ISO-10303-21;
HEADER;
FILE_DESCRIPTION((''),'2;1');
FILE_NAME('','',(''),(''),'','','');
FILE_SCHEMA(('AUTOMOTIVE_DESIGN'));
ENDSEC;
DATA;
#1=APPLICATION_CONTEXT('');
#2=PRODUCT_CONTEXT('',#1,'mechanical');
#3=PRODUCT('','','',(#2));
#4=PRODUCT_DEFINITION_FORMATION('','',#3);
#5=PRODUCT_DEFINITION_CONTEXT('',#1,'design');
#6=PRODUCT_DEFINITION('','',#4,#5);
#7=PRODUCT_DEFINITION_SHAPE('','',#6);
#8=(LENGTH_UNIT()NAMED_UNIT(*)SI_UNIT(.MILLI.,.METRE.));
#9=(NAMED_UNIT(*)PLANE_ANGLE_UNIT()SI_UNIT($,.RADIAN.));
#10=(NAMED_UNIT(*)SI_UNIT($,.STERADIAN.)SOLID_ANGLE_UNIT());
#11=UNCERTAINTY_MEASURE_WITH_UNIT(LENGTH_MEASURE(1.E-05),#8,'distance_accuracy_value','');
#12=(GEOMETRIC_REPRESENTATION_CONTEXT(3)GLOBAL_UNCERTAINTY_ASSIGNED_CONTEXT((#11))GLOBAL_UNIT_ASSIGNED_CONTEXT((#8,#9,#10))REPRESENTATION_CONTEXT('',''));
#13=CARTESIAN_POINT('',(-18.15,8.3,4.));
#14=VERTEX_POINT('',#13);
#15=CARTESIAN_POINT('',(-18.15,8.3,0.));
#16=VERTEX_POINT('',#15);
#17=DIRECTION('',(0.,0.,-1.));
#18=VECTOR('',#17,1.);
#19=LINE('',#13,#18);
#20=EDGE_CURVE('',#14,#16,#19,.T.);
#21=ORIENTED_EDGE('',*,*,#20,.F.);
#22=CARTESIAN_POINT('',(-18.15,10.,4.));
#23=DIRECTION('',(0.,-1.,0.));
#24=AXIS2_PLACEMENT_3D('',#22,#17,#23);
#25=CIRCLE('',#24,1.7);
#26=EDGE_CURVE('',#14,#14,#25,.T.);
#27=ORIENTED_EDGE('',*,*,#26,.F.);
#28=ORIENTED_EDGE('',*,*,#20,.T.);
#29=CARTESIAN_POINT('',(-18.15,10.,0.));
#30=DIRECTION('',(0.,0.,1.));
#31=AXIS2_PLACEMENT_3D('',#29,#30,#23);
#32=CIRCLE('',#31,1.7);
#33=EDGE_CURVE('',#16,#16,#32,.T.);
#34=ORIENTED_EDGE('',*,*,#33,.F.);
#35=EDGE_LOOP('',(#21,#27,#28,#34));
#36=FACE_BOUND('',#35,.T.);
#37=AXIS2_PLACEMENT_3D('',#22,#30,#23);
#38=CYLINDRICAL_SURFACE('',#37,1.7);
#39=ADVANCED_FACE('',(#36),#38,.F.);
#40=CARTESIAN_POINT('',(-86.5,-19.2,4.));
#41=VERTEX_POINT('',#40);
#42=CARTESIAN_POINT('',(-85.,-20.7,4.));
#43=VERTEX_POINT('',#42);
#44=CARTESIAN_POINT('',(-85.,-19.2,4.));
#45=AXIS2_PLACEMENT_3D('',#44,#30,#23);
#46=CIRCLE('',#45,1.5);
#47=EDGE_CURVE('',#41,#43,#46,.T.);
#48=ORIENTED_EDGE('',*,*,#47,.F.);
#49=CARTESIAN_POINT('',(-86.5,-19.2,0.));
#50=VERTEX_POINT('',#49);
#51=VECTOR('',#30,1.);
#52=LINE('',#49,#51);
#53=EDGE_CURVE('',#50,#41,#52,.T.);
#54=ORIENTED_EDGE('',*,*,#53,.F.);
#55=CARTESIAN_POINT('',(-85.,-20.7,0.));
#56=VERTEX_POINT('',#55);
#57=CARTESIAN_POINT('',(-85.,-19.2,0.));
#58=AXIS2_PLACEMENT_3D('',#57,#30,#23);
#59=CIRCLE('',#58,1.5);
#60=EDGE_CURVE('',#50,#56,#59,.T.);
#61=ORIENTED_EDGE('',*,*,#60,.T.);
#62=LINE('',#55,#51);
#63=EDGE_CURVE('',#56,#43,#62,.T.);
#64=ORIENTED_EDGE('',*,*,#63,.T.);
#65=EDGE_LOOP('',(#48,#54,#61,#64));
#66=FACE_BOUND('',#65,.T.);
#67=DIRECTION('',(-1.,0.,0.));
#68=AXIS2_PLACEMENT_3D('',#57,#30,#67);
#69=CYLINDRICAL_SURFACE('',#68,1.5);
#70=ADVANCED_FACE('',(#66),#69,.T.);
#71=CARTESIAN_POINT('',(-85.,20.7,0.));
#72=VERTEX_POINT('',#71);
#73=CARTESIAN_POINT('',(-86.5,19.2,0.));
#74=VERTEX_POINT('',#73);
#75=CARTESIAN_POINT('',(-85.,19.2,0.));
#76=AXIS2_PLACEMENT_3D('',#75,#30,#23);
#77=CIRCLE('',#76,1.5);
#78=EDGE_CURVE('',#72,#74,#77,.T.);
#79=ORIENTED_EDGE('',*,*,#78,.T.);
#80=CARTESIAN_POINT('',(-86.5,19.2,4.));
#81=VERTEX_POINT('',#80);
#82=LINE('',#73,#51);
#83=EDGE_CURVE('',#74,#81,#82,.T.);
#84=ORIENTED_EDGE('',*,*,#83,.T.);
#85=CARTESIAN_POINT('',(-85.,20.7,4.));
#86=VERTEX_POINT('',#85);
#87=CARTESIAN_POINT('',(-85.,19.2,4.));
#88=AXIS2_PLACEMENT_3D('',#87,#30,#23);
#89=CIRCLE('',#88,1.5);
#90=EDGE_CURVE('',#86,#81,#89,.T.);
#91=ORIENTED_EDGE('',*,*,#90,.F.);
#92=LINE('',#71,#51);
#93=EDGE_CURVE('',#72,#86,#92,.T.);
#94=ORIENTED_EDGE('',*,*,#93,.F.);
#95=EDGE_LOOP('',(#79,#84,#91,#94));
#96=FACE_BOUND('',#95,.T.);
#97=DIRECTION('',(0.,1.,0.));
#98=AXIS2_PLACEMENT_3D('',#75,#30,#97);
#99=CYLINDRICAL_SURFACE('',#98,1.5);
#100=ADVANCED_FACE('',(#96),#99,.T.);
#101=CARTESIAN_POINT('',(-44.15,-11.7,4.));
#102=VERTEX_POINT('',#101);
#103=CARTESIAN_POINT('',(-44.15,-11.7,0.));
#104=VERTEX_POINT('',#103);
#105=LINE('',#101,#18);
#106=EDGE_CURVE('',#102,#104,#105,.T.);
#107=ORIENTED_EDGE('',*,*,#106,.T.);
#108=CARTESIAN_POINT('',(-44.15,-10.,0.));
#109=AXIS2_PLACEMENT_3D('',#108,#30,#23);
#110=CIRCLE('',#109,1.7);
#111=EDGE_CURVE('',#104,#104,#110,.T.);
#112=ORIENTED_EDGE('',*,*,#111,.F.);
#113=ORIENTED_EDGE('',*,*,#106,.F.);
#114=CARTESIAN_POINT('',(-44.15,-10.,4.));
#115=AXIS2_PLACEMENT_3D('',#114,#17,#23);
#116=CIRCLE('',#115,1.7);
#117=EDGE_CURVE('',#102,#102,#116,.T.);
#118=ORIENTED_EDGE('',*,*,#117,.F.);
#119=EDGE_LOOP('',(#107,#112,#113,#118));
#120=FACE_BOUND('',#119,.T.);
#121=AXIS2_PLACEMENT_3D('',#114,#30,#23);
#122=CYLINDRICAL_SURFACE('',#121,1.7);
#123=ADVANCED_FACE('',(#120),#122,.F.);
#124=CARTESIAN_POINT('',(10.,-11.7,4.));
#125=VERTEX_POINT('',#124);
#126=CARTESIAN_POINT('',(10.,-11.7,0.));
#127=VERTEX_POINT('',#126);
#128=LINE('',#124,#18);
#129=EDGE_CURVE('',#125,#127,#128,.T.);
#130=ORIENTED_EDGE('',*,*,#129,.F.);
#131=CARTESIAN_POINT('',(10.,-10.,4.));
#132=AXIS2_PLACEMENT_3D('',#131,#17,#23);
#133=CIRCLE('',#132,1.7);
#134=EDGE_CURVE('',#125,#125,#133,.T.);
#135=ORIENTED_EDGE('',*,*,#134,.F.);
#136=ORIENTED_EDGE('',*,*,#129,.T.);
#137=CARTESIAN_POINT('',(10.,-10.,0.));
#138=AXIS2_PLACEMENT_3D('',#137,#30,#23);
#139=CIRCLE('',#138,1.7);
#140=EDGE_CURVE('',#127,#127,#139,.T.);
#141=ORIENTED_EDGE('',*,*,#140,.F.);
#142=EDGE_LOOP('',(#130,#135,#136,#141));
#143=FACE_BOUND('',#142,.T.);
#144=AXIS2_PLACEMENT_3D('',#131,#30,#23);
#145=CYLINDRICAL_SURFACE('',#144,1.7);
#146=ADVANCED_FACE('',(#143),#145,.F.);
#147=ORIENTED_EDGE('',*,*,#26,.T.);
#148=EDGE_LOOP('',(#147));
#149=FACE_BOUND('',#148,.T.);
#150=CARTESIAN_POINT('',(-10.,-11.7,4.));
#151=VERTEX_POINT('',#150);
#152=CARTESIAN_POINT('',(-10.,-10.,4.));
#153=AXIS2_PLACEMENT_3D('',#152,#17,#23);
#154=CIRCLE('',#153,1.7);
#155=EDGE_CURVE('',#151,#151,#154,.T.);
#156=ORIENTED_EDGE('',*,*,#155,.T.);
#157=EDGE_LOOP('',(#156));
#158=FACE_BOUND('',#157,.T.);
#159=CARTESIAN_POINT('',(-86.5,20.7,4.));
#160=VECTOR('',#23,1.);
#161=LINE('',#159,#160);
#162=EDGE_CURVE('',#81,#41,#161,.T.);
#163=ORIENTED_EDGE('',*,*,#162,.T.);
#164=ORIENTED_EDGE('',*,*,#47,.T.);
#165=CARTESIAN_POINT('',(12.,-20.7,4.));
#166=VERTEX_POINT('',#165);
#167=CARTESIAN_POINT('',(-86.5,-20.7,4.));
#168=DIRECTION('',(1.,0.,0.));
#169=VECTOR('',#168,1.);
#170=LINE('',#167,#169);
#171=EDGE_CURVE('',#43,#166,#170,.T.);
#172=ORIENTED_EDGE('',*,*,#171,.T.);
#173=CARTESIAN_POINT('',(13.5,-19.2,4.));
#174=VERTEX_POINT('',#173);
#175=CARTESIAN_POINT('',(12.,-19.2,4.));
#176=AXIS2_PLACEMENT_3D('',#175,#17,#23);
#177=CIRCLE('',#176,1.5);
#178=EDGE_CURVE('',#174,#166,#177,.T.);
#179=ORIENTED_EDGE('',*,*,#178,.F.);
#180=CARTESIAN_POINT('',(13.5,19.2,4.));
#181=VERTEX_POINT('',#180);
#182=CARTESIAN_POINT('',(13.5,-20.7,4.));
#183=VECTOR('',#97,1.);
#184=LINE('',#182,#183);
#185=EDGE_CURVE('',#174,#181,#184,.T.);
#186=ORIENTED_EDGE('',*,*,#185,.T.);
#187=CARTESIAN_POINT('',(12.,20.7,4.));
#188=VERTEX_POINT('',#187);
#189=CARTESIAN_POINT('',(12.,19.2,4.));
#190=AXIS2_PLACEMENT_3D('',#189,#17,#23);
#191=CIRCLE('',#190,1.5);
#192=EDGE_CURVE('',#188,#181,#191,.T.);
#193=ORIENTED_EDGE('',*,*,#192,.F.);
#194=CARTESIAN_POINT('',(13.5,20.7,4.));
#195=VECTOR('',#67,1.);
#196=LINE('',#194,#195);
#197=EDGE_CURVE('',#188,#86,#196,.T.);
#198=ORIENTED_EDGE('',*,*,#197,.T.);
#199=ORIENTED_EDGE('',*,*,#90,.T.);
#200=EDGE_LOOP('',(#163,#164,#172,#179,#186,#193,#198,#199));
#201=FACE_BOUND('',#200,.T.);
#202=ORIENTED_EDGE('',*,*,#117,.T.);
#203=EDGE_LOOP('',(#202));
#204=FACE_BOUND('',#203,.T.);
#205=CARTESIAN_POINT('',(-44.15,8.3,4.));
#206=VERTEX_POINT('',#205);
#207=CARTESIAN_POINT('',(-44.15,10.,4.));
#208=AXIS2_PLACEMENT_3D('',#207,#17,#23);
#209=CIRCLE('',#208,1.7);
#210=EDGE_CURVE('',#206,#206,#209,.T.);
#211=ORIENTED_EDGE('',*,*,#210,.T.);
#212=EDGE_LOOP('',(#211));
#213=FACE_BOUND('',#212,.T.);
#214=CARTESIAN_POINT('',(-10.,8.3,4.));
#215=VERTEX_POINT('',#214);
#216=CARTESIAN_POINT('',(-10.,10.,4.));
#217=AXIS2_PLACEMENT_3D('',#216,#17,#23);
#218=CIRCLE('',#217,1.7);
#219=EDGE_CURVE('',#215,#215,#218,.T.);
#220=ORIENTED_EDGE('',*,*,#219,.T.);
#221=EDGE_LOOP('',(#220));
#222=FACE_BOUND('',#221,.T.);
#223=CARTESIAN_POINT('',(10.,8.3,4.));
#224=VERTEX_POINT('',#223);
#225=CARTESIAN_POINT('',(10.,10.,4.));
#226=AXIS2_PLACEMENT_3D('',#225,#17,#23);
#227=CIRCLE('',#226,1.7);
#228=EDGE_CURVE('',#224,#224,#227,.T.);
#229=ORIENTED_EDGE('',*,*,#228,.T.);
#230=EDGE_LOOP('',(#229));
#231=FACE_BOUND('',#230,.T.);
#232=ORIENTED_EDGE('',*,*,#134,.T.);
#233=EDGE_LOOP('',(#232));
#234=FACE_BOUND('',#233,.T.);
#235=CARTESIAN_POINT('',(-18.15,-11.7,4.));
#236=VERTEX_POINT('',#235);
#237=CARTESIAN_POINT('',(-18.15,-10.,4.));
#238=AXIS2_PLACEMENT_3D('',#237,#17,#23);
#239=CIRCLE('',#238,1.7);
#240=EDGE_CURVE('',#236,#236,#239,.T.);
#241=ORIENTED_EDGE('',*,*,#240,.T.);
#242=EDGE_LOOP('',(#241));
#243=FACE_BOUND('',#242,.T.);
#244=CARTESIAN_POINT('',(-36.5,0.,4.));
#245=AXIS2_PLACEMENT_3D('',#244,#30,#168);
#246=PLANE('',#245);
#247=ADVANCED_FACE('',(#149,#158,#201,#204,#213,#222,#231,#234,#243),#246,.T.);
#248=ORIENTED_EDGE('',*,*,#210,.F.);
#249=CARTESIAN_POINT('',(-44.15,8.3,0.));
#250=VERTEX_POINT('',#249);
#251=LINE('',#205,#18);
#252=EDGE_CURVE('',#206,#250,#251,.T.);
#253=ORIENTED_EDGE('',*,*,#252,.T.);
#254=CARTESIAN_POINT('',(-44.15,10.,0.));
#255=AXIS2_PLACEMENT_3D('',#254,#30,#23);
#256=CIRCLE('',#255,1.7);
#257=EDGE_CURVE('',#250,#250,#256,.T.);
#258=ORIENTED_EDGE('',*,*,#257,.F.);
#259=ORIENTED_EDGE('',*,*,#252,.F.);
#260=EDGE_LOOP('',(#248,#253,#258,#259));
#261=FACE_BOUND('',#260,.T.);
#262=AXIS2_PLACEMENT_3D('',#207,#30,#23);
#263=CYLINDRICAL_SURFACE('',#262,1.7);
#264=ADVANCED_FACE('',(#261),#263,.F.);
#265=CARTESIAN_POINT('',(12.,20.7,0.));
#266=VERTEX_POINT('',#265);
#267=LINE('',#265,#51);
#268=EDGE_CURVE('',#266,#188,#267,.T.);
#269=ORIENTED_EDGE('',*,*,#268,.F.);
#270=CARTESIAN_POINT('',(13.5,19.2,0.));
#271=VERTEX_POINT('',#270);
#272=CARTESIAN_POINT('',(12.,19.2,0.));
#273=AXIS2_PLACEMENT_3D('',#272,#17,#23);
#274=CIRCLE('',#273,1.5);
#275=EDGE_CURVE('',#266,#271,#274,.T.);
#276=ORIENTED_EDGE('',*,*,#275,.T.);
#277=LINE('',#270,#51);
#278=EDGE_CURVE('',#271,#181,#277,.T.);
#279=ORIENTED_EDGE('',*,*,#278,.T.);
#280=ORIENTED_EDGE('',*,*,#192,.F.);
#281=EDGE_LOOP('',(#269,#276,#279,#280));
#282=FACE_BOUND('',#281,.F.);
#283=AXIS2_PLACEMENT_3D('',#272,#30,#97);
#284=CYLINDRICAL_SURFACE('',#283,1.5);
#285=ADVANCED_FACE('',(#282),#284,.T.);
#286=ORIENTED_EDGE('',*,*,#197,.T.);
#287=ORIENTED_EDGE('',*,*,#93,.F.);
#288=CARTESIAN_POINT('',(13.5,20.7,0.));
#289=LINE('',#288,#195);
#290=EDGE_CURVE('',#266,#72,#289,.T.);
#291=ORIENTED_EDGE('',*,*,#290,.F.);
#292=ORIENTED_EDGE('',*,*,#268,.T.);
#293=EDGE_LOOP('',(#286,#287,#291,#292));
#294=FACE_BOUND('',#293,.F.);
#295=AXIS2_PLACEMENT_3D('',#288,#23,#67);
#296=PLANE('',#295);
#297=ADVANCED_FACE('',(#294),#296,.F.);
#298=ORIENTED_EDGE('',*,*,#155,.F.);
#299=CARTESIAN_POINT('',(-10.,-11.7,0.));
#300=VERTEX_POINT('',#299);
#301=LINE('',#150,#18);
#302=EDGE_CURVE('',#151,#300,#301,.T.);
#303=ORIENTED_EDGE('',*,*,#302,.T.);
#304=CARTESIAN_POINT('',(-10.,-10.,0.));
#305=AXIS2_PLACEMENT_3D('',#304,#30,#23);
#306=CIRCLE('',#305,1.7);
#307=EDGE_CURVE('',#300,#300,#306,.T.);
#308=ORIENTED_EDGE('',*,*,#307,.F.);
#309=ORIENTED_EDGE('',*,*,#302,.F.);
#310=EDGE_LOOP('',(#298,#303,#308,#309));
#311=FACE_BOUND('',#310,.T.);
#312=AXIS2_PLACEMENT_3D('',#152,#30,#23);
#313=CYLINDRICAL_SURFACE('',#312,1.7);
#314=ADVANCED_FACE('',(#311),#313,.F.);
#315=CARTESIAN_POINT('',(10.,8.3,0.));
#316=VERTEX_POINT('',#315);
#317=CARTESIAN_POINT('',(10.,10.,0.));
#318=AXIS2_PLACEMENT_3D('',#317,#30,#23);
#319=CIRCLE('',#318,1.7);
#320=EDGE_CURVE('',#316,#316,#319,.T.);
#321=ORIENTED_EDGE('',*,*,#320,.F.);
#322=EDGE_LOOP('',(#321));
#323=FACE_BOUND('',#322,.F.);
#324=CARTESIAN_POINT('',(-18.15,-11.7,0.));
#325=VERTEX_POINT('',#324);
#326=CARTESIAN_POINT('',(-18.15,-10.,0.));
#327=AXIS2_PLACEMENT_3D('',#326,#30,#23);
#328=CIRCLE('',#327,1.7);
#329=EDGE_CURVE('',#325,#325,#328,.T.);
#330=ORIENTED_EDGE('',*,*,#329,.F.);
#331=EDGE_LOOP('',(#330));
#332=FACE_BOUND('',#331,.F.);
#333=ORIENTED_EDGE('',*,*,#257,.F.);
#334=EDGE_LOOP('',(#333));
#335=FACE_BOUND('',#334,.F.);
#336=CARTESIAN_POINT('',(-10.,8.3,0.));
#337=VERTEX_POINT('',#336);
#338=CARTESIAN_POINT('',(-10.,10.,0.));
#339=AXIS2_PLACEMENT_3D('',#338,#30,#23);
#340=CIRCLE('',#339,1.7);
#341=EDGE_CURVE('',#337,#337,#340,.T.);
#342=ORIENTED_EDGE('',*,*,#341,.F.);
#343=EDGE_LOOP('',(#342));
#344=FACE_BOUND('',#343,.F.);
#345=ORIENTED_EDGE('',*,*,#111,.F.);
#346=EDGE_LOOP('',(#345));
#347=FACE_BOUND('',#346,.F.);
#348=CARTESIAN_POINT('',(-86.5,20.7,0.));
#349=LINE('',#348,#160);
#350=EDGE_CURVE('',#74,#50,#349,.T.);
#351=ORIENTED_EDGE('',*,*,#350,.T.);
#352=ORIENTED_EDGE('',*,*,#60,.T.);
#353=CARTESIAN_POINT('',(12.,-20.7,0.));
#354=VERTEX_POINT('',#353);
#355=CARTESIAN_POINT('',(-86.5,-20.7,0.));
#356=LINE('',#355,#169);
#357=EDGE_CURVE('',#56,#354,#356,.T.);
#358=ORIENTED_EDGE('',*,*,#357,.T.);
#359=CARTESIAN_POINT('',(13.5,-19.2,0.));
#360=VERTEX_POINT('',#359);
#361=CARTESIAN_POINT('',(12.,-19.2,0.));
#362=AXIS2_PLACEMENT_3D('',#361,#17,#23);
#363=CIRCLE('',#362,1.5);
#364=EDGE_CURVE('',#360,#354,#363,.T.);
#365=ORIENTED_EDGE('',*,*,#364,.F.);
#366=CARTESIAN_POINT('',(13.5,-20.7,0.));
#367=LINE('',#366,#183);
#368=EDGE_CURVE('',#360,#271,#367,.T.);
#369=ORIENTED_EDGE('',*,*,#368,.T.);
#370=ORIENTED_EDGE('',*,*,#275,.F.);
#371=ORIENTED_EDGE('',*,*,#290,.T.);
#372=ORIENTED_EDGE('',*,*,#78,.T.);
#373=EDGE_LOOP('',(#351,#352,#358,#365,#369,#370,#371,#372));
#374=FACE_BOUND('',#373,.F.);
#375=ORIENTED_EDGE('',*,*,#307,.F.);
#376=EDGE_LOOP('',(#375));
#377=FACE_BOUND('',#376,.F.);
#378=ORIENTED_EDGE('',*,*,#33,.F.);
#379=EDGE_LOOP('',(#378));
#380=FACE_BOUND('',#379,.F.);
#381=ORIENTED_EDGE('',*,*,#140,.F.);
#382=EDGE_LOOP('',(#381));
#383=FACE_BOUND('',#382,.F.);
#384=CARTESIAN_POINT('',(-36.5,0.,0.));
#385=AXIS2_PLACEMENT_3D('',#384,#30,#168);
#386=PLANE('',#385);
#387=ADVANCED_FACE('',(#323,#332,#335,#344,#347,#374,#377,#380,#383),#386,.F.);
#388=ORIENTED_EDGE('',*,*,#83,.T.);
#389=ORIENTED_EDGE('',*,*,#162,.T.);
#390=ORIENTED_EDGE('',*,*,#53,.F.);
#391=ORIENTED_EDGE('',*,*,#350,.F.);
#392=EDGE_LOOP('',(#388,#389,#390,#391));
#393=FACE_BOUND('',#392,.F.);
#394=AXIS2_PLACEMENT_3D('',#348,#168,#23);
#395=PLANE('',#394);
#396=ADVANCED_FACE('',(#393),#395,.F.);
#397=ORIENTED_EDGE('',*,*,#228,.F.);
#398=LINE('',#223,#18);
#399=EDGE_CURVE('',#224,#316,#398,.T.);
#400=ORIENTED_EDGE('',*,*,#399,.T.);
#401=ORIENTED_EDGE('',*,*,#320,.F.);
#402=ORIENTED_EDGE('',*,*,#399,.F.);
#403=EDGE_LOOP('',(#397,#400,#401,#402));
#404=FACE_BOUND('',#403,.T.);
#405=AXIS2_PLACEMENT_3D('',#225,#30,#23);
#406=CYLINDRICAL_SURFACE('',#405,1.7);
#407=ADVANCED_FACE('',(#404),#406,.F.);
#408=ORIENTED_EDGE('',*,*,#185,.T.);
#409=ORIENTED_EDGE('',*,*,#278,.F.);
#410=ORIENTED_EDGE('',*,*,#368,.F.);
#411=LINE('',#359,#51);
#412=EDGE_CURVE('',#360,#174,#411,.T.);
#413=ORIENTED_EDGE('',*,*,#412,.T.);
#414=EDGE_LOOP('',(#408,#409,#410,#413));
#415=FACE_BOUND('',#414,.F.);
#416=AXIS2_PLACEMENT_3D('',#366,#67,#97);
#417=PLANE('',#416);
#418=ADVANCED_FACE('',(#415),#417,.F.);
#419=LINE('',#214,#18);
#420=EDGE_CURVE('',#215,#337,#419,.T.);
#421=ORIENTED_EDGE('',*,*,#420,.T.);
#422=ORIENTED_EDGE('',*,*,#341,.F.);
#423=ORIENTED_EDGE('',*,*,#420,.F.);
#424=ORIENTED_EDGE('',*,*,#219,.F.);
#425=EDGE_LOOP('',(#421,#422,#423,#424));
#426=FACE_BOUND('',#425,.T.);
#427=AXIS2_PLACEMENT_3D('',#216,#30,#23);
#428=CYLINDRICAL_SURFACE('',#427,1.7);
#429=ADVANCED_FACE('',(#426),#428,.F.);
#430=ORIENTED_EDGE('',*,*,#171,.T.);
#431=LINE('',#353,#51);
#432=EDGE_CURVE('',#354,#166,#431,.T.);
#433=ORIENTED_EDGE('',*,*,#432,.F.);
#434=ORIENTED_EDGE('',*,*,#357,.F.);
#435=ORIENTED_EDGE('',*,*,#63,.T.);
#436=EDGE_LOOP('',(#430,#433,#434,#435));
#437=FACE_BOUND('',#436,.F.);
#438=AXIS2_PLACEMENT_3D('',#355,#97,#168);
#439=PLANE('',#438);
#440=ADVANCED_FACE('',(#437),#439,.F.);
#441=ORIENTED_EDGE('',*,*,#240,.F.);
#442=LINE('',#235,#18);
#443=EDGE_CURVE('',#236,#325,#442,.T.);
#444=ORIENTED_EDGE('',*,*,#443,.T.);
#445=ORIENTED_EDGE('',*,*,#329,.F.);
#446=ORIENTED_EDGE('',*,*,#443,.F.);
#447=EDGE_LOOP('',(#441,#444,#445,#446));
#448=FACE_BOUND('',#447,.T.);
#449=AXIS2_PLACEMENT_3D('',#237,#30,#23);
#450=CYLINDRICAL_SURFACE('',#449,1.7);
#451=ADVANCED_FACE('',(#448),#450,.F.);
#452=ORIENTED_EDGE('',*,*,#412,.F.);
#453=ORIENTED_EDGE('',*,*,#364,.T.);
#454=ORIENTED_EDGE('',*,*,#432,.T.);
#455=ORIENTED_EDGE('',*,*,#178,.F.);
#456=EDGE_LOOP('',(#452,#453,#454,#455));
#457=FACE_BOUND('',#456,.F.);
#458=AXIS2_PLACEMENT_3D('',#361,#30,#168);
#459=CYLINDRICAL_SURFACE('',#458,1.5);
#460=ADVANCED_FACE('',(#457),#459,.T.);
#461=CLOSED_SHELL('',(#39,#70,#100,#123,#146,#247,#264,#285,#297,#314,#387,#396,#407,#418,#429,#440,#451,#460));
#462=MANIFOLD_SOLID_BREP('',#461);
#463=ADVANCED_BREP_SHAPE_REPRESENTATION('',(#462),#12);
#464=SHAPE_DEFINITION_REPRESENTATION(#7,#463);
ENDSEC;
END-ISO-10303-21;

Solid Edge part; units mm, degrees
sketch "Sketch1" plane through (0, 0, 0) normal (0, 0, 1) x (1, 0, 0)
  line L0 (13.5, 20.7) -> (-86.5, 20.7)
  line L1 (-86.5, 20.7) -> (-86.5, -20.7)
  line L2 (-86.5, -20.7) -> (13.5, -20.7)
  line L3 (13.5, -20.7) -> (13.5, 20.7)
  dimension "D1" = 2
extrude "Protrusion1" add sketch "Sketch1" along normal blind 4
hole "Hole_1" at (-10, 10, 4) direction (0, 0, -1) diameter 3.4 end up to next
pattern_linear "Pattern1" count 2 spacing 20 along (1, 0, 0) count 2 spacing 20 along (0, -1, 0) of "Hole_1"
fillet "Round_1" radius 1.5 4 edges at (13.5, 20.7, 2) (13.5, -20.7, 2) (-86.5, -20.7, 2) (-86.5, 20.7, 2)
hole "Hole_2" at (-44.15, 10, 4) direction (0, 0, -1) diameter 3.4 end up to next
pattern_linear "Pattern3" count 2 spacing 20 along (0, -1, 0) count 2 spacing 26 along (1, 0, 0) of "Hole_2"
properties material "Aluminum, 6061-T6"
